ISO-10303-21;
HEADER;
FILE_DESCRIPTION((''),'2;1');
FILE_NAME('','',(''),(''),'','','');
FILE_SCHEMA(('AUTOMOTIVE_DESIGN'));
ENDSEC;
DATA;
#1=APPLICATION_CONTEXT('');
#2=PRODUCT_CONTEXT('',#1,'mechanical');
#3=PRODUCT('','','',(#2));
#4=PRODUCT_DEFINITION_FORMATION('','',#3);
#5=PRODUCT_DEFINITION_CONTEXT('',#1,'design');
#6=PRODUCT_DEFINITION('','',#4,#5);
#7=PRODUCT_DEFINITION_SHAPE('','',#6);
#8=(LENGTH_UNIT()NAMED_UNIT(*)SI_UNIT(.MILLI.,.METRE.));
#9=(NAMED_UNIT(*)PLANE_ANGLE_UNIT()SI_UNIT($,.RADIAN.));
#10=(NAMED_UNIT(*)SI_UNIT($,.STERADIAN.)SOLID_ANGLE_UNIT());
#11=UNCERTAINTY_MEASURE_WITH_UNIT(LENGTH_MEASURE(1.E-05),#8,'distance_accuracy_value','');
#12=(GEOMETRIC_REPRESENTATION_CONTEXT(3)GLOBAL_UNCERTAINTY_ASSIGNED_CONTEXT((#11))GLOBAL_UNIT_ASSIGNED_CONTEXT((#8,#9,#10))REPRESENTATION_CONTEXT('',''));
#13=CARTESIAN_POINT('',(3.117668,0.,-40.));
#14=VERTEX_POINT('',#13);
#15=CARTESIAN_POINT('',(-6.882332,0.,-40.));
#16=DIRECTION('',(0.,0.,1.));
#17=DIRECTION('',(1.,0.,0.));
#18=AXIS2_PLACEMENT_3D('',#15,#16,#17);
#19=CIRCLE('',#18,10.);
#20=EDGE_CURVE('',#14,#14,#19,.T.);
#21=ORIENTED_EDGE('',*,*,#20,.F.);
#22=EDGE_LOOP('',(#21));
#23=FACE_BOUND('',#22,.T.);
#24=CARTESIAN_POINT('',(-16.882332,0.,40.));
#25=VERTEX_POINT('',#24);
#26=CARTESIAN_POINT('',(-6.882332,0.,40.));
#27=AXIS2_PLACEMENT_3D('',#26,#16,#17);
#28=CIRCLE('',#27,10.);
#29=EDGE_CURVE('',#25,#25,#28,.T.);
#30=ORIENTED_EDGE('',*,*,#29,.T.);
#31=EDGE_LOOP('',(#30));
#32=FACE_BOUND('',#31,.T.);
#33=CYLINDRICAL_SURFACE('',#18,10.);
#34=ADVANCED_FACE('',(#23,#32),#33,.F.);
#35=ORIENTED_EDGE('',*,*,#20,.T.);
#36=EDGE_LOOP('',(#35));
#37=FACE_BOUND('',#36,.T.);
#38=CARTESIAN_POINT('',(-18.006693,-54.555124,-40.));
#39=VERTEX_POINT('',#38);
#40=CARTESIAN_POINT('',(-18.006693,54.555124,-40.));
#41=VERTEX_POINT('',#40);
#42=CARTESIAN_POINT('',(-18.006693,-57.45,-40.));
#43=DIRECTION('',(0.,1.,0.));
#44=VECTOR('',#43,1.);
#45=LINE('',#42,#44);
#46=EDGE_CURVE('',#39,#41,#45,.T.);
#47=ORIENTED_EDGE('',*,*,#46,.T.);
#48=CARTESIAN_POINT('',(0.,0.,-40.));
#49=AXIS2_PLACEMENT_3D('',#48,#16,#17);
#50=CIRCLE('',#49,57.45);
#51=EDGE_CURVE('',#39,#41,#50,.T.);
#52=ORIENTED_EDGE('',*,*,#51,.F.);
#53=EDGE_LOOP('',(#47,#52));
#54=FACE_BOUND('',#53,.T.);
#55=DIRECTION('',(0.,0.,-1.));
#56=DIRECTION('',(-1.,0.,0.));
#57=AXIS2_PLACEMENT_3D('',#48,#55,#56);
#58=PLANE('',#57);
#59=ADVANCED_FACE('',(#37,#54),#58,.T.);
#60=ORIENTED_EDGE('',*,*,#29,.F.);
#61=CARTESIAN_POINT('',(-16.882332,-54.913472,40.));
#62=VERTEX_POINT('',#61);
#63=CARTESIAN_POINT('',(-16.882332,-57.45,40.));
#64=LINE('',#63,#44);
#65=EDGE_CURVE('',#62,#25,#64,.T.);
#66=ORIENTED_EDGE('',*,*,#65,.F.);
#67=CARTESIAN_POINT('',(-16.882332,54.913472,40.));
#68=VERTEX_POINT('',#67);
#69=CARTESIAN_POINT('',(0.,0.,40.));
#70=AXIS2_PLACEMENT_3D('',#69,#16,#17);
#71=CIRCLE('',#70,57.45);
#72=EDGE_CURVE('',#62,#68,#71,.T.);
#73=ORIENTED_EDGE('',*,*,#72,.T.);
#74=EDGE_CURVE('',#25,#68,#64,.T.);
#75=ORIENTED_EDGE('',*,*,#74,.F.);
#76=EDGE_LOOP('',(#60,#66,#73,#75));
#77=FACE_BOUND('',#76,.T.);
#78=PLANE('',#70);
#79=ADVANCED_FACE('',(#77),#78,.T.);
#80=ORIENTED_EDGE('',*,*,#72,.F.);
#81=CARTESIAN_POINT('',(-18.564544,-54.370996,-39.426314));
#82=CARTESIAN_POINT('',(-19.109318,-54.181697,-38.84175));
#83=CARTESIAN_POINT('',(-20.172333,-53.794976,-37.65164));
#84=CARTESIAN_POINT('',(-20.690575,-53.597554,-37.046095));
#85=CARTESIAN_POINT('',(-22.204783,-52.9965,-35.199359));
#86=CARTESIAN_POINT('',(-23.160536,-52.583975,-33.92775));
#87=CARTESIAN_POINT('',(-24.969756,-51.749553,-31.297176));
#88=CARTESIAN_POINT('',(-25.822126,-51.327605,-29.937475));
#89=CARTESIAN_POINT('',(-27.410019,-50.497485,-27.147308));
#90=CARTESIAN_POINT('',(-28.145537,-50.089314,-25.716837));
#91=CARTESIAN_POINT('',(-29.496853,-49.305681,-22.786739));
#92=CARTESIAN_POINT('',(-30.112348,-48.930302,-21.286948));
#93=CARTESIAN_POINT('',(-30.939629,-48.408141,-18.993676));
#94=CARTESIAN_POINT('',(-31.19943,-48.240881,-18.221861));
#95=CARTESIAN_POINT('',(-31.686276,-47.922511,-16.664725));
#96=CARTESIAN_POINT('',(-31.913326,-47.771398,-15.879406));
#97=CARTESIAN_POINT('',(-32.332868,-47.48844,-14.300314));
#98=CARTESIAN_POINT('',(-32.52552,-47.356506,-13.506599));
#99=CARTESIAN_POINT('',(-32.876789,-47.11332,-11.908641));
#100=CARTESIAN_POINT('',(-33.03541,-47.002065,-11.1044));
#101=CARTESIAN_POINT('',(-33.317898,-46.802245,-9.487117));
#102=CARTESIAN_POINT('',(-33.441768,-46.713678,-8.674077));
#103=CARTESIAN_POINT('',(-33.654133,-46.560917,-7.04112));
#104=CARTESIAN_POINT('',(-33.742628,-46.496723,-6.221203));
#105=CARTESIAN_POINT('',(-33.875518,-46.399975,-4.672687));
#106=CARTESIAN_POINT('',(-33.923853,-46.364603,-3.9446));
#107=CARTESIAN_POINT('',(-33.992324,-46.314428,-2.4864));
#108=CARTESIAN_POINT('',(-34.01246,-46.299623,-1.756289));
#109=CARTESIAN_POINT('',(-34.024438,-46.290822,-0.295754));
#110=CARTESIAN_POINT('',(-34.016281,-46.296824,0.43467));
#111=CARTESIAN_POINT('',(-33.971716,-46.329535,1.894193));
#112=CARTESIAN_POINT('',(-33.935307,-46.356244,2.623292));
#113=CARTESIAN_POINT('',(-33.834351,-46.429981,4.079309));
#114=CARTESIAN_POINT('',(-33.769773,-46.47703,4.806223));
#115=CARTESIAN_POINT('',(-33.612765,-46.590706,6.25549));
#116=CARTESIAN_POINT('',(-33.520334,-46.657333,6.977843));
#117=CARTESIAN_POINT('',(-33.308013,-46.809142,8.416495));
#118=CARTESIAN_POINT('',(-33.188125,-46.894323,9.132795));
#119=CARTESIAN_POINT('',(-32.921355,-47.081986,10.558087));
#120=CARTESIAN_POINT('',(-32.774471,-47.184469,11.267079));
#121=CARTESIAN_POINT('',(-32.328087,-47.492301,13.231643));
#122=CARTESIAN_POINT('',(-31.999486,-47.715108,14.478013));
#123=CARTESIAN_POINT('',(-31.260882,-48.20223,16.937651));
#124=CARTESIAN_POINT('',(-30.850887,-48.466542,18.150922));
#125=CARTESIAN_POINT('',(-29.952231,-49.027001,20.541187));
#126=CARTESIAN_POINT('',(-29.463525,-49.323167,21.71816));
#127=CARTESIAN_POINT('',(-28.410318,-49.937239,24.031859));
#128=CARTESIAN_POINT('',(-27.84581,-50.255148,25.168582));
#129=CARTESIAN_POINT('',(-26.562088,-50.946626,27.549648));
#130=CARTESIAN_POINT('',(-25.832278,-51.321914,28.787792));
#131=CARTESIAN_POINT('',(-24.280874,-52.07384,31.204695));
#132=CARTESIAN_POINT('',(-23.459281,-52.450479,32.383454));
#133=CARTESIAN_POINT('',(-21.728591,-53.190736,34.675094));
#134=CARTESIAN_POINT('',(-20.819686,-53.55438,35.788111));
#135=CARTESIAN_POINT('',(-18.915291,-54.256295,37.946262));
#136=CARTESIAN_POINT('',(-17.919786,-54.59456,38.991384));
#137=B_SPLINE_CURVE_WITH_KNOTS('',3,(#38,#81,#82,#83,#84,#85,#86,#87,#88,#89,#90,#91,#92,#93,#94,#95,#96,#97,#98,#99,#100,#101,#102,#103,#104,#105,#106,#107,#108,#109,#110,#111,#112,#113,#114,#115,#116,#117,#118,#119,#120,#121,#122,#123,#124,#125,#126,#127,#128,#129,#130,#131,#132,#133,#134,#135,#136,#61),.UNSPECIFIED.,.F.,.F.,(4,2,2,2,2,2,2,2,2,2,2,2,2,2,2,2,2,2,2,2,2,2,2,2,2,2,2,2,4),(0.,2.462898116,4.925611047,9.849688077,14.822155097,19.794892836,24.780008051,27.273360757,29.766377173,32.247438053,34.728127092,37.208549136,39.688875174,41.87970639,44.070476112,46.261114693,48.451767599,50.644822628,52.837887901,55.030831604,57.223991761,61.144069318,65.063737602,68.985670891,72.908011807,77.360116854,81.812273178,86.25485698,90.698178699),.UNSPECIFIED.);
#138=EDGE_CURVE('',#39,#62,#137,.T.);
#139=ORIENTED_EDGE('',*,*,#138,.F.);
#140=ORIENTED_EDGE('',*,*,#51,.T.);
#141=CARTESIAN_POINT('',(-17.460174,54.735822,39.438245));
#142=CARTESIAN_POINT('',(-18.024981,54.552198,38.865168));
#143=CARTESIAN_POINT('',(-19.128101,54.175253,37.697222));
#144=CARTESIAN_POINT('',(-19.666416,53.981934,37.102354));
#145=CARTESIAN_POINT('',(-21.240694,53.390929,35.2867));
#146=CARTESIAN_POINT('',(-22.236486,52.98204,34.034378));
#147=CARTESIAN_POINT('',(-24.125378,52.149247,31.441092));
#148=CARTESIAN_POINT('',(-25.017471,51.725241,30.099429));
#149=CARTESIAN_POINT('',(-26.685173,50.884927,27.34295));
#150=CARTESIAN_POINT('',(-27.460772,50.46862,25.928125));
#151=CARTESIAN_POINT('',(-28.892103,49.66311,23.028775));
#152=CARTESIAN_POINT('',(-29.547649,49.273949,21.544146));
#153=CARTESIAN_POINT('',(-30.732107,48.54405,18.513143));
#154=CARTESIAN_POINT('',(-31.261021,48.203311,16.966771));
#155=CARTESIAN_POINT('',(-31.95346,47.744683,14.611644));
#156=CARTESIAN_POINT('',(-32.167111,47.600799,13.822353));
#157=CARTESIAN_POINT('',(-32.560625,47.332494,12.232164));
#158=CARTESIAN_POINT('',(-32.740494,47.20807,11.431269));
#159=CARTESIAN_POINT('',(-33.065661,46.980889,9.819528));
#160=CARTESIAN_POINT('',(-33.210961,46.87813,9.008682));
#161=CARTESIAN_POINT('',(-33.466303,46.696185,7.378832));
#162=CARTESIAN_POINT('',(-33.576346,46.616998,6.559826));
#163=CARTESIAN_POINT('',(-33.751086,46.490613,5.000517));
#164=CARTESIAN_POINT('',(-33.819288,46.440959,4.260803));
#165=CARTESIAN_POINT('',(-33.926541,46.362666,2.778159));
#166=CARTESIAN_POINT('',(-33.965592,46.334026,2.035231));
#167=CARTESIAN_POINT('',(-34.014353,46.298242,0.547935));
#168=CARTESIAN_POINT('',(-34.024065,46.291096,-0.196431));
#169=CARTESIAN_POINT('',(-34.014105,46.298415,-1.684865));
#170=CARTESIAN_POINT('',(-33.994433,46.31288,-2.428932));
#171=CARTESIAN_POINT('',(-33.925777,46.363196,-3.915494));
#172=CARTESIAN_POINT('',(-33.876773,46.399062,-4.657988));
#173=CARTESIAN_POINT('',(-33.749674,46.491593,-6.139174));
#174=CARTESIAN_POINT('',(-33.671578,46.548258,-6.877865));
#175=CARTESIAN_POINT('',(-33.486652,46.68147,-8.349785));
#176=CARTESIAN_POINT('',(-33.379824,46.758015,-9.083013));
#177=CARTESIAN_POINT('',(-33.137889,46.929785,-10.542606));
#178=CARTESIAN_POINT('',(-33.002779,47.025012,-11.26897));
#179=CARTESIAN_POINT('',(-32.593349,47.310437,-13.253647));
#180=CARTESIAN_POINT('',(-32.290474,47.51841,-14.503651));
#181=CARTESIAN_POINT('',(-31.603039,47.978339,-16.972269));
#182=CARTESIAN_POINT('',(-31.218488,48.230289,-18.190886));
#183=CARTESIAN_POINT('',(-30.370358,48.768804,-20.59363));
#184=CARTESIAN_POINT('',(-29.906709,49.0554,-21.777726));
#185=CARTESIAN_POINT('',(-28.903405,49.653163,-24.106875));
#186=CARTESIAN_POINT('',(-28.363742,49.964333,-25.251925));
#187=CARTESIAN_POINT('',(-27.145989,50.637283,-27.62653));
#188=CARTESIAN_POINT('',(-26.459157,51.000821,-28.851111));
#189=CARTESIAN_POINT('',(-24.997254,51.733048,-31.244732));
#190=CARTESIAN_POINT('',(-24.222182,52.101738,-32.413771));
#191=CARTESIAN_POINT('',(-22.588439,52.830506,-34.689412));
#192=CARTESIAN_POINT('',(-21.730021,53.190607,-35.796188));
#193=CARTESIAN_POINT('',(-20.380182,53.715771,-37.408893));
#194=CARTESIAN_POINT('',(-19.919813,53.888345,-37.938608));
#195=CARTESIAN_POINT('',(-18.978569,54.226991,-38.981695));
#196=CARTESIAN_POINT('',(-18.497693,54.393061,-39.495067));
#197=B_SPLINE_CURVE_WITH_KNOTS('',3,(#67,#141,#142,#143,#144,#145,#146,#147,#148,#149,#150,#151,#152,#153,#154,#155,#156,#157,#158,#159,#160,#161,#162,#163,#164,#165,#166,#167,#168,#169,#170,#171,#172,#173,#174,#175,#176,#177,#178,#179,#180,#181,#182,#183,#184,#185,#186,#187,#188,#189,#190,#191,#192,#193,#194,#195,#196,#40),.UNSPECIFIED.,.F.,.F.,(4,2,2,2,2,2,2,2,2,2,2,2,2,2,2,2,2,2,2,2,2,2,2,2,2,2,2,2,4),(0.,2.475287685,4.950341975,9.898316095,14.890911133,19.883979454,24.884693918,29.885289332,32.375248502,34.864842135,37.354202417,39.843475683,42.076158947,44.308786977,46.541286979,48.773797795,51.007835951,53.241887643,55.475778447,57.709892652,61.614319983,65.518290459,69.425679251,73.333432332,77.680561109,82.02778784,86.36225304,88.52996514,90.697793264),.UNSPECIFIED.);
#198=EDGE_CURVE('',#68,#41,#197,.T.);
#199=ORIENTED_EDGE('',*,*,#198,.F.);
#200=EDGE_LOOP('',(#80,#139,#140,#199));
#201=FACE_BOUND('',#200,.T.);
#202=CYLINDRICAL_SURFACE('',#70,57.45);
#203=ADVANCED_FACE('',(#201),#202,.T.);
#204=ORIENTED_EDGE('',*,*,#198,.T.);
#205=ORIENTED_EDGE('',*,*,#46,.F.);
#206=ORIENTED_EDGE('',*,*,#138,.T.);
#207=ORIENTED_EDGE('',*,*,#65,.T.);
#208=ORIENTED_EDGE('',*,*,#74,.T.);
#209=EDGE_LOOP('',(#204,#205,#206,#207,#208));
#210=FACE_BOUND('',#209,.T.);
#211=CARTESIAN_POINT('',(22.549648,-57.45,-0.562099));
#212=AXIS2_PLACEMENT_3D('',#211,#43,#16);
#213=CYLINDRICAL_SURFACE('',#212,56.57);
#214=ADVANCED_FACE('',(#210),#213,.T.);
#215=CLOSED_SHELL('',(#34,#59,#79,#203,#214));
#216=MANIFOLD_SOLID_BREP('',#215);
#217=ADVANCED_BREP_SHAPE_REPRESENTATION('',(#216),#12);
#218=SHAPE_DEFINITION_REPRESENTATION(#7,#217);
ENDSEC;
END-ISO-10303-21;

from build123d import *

# Parameters (mm, degrees)
SKETCH1_W               = 57.45
SKETCH1_H               = 80
CUT_EXTRUDE1_DEPTH      = 58.45
CUT_EXTRUDE1_DEPTH_BACK = 58.45
SKETCH3_R               = 10
CUT_EXTRUDE3_DEPTH      = 81.0000001


with BuildPart() as part:
    # Sketch1 → Revolve2 (revolve)
    with BuildSketch(Plane(origin=(0, 0, 0), x_dir=(1, 0, 0), z_dir=(0, 1, 0))):
        with Locations((28.725, 0)):
            Rectangle(SKETCH1_W, SKETCH1_H)
    revolve(axis=Axis((0, 0, 40), (0, 0, -1)))

    # Sketch2 → Cut-Extrude1 (cut, two sides)
    with BuildSketch(Plane(origin=(0, 0, 0), x_dir=(1, 0, 0), z_dir=(0, 1, 0))) as cut_extrude1_sk:
        with BuildLine():
            Line((-18.006693033, 40), (-57.45, 40))
            Line((-57.45, 40), (-57.45, -40))
            Line((-57.45, -40), (-16.882331675, -40))
            ThreePointArc((-16.882331675, -40), (-34.014765262, -0.232886901), (-18.006693033, 40))
        make_face()
    extrude(amount=CUT_EXTRUDE1_DEPTH, mode=Mode.SUBTRACT)
    extrude(cut_extrude1_sk.sketch, amount=-CUT_EXTRUDE1_DEPTH_BACK, mode=Mode.SUBTRACT)

    # Sketch3 → Cut-Extrude3 (cut, through all)
    with BuildSketch(Plane.XY.offset(40)):
        with Locations((-6.882331675, 0)):
            Circle(SKETCH3_R)
    extrude(amount=-CUT_EXTRUDE3_DEPTH, mode=Mode.SUBTRACT)


solid = part.part
